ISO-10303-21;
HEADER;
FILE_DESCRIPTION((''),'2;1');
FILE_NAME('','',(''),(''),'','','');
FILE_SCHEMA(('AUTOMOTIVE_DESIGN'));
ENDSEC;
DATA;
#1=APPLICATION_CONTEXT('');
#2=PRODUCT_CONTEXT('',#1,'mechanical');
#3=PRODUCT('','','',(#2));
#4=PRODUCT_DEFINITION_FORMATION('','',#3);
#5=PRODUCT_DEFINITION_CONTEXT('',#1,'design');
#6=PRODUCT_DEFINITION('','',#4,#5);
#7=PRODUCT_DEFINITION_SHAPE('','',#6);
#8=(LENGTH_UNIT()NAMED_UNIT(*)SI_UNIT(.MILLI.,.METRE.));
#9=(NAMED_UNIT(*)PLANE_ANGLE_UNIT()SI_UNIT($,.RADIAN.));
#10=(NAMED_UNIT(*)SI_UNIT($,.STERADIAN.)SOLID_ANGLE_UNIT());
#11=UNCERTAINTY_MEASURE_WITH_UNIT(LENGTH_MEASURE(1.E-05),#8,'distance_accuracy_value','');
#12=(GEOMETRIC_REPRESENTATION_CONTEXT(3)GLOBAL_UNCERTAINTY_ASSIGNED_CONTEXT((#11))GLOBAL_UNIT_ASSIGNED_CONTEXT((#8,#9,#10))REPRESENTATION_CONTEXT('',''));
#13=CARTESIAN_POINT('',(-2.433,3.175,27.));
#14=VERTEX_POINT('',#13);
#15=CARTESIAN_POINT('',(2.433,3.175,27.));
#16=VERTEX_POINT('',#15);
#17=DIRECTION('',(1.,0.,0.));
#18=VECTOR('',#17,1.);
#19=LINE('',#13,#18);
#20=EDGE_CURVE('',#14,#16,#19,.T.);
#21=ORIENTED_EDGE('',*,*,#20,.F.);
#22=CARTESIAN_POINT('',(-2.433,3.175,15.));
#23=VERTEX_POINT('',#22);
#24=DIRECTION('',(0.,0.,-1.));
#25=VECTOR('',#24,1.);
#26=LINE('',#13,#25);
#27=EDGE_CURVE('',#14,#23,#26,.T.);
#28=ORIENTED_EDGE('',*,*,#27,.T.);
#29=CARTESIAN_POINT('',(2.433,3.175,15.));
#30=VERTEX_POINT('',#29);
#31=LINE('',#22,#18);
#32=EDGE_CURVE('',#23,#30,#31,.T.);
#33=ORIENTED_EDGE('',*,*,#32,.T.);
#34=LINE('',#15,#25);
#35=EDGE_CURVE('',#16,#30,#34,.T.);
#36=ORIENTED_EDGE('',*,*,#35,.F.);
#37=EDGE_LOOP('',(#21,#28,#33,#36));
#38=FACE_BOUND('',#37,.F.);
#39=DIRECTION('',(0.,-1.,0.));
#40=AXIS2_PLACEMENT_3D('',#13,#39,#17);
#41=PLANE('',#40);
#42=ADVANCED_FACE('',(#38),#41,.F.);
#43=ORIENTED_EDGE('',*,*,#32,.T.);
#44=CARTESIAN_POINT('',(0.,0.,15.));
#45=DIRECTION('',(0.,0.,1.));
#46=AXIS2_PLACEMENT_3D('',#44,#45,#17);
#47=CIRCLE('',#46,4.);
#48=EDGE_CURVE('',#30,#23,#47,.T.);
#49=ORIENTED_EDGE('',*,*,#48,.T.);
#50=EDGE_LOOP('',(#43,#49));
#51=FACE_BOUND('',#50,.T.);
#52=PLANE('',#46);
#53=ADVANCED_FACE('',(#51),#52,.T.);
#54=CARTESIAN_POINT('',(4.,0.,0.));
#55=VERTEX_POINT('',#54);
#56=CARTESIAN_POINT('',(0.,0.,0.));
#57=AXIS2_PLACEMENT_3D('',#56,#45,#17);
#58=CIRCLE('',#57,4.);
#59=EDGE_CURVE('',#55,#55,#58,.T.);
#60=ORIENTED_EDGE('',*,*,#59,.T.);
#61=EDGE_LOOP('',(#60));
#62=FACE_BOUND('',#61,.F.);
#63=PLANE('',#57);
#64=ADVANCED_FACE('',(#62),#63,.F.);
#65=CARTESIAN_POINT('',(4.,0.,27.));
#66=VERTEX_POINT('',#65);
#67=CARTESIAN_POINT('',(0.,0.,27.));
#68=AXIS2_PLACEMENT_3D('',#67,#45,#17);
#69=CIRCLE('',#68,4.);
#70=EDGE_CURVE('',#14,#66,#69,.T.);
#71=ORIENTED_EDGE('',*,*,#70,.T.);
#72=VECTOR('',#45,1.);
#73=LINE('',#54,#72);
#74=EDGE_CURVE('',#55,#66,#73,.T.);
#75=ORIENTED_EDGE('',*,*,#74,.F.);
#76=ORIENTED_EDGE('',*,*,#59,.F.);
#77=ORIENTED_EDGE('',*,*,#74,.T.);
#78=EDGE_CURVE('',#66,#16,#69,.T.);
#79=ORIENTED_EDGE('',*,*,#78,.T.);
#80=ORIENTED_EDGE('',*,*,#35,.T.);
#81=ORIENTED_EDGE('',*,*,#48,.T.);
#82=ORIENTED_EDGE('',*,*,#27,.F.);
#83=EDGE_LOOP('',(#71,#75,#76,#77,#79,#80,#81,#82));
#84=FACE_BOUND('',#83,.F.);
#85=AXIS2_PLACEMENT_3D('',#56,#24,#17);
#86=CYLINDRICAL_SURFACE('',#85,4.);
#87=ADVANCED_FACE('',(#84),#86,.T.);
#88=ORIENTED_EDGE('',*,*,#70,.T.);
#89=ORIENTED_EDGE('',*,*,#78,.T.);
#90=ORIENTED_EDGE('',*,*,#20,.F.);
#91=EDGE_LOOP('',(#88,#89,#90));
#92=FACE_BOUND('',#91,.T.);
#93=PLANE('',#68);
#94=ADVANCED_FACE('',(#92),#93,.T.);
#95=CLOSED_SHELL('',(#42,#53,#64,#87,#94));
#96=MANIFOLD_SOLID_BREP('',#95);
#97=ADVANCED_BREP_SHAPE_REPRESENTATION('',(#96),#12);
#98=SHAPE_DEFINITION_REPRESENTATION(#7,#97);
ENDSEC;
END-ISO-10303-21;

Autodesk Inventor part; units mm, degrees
ref_plane "YZ Plane" through (0, 0, 0) normal (1, 0, 0) x (0, 1, 0)
ref_plane "XZ Plane" through (0, 0, 0) normal (0, 1, 0) x (-1, 0, 0)
ref_plane "XY Plane" through (0, 0, 0) normal (0, 0, 1) x (1, 0, 0)
sketch "Sketch1" plane through (0, 0, 0) normal (0, 0, 1) x (1, 0, 0)
  circle A0 centre (0, 0) radius 4
  dimension "d0" = 8
extrude "Extrusion1" add sketch "Sketch1" along normal blind 27
sketch "Sketch2" plane through (0, 0, 27) normal (0, 0, 1) x (1, 0, 0)
  circle A0 centre (0, 0) radius 4 projected
  circle A1 centre (0, 0) radius 4 projected
  line L0 (-2.433, 3.175) -> (2.433, 3.175)
extrude "Extrusion2" cut sketch "Sketch2" against normal blind 12 contours L0 A0 picked at (-0.563, 3.3253)
properties part number "motor_shaft"
